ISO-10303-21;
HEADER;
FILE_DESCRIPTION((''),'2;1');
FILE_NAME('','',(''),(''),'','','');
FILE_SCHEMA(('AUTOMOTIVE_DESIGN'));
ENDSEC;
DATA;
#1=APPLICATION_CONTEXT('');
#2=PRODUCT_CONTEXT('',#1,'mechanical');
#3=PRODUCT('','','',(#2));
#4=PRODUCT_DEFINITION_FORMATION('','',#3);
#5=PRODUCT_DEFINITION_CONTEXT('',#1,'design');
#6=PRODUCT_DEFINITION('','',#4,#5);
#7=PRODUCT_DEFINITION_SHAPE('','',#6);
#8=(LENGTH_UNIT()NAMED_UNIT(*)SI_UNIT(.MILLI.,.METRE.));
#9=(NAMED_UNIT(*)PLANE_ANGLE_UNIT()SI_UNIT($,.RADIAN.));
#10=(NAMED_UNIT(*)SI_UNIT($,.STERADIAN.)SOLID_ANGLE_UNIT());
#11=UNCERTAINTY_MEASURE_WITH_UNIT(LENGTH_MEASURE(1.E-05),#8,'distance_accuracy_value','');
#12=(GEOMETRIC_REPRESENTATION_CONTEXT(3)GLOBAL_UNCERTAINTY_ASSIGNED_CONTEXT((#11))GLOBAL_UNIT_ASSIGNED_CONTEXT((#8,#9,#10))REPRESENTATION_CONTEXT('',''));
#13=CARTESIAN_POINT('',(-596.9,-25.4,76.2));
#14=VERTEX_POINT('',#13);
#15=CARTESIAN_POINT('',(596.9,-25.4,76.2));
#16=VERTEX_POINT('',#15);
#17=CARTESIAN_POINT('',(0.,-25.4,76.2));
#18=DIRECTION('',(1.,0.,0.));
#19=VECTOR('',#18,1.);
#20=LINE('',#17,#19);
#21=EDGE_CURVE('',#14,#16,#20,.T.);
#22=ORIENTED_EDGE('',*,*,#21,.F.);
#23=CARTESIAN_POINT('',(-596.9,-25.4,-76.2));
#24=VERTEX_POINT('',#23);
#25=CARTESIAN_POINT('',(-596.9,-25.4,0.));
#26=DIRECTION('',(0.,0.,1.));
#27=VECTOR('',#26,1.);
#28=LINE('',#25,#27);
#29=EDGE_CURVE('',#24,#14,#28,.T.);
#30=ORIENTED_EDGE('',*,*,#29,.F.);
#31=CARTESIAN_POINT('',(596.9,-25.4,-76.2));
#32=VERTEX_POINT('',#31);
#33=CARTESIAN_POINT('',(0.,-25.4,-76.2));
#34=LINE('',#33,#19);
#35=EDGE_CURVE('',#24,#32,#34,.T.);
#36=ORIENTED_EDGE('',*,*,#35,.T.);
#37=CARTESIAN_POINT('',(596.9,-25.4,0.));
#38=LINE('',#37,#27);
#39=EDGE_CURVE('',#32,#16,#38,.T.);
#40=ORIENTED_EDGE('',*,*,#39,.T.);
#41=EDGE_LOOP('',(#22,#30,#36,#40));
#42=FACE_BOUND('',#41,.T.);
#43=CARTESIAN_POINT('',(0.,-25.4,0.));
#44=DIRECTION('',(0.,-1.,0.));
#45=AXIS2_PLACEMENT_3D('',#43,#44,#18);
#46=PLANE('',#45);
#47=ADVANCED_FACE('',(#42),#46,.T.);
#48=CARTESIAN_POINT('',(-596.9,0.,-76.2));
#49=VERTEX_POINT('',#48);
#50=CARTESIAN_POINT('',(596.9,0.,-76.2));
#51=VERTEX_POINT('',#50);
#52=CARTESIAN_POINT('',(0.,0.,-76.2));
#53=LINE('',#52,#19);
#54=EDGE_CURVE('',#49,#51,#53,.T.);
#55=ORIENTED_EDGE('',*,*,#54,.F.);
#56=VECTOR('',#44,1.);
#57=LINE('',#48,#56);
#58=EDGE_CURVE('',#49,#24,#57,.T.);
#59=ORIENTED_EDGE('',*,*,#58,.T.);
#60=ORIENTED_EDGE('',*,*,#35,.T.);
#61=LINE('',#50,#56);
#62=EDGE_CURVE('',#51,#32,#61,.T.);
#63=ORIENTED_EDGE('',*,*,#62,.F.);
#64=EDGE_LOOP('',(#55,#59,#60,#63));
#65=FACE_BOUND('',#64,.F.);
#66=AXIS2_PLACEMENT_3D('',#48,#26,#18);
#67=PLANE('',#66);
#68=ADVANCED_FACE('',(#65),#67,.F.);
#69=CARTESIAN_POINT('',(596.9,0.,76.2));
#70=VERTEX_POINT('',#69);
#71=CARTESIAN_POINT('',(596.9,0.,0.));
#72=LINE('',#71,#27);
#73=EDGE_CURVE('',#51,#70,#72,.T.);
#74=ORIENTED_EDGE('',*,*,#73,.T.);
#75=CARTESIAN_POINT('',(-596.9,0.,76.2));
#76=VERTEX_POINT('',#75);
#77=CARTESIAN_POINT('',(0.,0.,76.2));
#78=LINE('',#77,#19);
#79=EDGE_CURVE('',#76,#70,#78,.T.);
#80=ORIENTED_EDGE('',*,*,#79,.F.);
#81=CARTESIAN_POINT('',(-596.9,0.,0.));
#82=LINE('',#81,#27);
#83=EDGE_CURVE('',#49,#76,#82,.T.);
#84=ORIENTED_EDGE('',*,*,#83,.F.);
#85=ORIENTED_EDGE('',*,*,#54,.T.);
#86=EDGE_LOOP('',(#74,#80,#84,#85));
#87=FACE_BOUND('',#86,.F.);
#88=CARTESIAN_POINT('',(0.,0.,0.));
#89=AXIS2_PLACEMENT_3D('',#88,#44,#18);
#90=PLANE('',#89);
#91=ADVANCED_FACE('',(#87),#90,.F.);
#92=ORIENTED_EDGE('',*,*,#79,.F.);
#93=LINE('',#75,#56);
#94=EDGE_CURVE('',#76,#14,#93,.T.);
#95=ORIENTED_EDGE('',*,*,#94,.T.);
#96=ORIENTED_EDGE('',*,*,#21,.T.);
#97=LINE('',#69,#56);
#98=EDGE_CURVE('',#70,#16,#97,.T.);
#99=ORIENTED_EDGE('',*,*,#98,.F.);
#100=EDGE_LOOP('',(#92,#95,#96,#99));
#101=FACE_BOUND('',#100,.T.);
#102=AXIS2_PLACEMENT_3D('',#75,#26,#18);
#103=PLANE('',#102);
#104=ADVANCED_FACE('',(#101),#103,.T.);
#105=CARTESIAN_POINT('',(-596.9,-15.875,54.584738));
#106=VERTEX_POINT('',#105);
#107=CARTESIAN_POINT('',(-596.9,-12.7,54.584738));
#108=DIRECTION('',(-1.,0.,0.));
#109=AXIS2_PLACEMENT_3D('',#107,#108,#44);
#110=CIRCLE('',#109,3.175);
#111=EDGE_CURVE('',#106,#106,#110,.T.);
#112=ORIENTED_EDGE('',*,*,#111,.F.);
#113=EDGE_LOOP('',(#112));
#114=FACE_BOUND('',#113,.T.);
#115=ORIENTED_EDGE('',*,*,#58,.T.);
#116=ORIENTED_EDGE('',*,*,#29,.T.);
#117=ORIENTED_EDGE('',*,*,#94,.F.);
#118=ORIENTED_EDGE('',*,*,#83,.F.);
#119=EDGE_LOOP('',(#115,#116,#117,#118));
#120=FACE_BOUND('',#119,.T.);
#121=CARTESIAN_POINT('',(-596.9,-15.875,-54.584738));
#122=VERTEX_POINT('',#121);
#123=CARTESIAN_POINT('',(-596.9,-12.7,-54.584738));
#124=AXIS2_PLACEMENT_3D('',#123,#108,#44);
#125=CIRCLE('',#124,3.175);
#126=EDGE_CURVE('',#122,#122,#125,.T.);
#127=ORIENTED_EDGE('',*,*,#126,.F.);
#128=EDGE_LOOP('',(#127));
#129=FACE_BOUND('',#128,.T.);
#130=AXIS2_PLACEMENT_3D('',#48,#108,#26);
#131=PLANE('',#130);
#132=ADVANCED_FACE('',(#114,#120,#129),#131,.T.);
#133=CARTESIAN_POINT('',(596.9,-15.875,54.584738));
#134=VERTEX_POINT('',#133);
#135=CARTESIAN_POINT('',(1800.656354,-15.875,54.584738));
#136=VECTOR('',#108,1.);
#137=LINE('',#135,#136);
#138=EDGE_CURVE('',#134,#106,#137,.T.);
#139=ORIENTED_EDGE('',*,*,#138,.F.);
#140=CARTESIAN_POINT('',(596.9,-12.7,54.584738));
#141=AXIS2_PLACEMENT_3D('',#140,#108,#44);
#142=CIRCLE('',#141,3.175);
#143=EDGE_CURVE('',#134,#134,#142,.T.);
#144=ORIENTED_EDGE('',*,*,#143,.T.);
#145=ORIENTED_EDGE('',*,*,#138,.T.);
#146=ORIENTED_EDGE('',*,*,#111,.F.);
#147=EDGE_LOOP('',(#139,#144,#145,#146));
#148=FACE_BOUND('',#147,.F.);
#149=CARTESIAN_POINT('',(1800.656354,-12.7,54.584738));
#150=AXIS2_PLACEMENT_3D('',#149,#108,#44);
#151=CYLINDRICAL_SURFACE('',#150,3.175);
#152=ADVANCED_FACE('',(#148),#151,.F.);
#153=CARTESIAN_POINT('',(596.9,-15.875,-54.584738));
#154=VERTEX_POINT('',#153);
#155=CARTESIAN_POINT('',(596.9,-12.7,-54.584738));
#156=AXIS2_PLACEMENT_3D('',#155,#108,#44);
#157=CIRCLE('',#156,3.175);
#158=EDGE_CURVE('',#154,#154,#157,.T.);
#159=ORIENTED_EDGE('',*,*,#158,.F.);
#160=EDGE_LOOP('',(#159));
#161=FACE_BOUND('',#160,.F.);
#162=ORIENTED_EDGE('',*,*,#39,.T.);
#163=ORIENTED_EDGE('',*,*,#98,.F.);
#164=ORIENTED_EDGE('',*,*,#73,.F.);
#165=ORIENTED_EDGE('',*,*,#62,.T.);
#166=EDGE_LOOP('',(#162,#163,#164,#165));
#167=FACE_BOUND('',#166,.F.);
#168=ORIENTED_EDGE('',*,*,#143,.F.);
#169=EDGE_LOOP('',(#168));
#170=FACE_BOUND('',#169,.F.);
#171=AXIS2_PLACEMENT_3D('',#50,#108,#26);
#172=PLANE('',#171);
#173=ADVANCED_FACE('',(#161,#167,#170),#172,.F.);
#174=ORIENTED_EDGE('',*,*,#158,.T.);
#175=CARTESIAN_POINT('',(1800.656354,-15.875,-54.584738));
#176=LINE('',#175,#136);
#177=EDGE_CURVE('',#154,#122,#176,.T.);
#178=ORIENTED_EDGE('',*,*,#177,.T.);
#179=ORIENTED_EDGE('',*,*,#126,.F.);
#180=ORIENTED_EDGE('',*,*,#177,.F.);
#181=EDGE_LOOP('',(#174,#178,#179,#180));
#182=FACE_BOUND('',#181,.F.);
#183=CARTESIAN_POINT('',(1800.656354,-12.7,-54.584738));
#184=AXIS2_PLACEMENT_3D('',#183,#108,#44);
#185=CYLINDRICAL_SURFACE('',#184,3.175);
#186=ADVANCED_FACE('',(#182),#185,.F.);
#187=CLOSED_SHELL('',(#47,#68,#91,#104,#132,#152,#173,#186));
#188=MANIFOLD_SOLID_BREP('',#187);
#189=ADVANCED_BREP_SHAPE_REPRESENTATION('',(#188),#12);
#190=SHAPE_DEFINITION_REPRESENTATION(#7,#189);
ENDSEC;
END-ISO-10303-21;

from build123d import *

# Parameters (mm, degrees)
F0_W     = 1193.8
F0_H     = 152.4
F1_DEPTH = 25.4
F3_D     = 6.35


with BuildPart() as f1:
    # F0 (on Front) → F1 (new body)
    with BuildSketch(Plane.XZ):
        Rectangle(F0_W, F0_H)
    extrude(amount=F1_DEPTH)

    # F3 (through all)
    with Locations(Plane.YZ.offset(596.9)):
        with Locations((-12.7, 54.584738), (-12.7, -54.584738)):
            Hole(F3_D / 2)


solid = f1.part
